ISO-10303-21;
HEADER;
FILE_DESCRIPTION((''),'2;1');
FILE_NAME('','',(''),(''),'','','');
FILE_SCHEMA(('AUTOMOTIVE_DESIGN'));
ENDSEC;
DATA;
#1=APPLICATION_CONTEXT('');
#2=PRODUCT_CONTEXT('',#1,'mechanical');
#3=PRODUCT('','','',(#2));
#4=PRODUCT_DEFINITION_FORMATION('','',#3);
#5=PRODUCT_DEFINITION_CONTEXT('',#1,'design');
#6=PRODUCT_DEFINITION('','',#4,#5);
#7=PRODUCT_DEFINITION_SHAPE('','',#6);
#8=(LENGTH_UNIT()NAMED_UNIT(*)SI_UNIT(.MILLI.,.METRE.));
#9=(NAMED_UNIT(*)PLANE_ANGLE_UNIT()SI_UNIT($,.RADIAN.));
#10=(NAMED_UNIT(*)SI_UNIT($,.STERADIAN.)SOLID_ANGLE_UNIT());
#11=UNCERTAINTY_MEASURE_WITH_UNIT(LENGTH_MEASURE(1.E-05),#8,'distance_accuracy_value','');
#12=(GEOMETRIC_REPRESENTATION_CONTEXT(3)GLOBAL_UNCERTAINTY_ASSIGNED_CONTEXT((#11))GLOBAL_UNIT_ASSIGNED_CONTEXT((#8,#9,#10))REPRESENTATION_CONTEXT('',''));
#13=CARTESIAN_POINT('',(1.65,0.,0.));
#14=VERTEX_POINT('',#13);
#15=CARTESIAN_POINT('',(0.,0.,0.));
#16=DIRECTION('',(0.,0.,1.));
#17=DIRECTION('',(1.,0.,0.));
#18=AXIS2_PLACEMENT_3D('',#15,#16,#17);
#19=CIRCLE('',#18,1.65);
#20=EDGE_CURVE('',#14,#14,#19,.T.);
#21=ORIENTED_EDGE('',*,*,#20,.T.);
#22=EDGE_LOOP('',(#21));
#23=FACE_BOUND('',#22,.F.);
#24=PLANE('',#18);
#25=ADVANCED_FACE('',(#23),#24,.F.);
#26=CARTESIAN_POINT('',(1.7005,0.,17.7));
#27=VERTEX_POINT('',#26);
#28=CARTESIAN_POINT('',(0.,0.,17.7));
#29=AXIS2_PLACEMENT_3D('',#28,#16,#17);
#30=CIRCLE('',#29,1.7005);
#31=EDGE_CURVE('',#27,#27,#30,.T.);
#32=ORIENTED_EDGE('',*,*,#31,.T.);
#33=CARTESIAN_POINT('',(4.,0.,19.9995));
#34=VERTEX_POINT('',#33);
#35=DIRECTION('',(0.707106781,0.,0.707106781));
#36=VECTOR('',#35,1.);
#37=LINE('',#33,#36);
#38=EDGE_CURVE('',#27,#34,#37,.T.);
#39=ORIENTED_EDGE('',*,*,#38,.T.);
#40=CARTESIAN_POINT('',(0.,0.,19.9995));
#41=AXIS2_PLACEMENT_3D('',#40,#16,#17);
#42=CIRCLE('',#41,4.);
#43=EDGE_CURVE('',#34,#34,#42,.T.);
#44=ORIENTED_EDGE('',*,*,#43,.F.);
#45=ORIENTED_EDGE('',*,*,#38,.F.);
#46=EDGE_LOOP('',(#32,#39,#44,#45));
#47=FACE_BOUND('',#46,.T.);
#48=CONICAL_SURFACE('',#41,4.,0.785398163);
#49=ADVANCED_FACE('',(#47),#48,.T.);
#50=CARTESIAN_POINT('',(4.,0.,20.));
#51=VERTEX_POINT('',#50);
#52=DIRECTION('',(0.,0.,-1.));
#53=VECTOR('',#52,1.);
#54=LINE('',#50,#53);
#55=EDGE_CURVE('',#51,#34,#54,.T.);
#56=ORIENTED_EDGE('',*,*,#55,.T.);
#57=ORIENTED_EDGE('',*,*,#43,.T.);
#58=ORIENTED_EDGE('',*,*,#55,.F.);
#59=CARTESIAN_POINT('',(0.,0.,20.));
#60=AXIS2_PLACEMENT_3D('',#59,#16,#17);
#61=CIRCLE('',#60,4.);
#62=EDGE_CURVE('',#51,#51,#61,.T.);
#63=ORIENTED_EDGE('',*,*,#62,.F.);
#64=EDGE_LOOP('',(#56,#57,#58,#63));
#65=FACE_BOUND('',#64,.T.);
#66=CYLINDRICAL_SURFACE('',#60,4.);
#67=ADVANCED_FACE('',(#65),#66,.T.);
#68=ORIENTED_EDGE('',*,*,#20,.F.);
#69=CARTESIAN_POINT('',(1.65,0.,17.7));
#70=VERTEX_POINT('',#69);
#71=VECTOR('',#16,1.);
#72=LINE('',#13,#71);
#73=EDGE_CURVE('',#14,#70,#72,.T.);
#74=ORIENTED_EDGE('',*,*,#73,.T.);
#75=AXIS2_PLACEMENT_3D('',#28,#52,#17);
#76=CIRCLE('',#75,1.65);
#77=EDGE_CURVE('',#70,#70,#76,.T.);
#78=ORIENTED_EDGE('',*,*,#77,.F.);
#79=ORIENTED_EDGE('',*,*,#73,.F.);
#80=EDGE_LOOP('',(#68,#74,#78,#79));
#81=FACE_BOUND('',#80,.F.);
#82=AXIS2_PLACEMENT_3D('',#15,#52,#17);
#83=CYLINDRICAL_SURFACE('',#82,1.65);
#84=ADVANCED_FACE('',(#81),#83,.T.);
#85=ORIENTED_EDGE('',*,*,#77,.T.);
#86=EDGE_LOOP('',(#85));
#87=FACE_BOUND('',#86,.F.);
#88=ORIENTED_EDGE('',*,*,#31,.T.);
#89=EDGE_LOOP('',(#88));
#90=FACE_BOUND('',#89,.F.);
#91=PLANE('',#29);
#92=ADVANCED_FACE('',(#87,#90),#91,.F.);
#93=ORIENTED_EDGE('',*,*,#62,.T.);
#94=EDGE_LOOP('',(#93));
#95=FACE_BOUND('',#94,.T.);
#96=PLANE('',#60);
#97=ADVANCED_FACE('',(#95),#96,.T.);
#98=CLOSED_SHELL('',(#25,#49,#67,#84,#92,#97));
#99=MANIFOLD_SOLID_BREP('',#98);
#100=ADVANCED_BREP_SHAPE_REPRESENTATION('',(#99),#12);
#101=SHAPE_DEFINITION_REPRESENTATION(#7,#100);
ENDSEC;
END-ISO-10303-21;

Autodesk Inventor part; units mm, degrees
ref_plane "YZ Plane" through (0, 0, 0) normal (1, 0, 0) x (0, 1, 0)
ref_plane "XZ Plane" through (0, 0, 0) normal (0, 1, 0) x (-1, 0, 0)
ref_plane "XY Plane" through (0, 0, 0) normal (0, 0, 1) x (1, 0, 0)
sketch "スケッチ1" plane through (0, 0, 0) normal (0, 0, 1) x (1, 0, 0)
  circle A0 centre (0, 0) radius 1.65
  dimension "d0" = 3.3
extrude "押し出し1" add sketch "スケッチ1" along normal blind 20
sketch "スケッチ2" plane through (0, 0, 20) normal (0, 0, 1) x (1, 0, 0)
  circle A0 centre (0, 0) radius 4
  dimension "d3" = 8
extrude "押し出し2" add sketch "スケッチ2" against normal blind 2.3
chamfer "面取り1" distance 2.3 angle 45 1 edges at (-4, 0, 17.7)
thread "ねじ1" size "M3.5x0.6" class "6g" standard "ANSI Metric M Profile" full length
properties part number "ネジ皿m4,20" material "鋼、高強度、低合金"
